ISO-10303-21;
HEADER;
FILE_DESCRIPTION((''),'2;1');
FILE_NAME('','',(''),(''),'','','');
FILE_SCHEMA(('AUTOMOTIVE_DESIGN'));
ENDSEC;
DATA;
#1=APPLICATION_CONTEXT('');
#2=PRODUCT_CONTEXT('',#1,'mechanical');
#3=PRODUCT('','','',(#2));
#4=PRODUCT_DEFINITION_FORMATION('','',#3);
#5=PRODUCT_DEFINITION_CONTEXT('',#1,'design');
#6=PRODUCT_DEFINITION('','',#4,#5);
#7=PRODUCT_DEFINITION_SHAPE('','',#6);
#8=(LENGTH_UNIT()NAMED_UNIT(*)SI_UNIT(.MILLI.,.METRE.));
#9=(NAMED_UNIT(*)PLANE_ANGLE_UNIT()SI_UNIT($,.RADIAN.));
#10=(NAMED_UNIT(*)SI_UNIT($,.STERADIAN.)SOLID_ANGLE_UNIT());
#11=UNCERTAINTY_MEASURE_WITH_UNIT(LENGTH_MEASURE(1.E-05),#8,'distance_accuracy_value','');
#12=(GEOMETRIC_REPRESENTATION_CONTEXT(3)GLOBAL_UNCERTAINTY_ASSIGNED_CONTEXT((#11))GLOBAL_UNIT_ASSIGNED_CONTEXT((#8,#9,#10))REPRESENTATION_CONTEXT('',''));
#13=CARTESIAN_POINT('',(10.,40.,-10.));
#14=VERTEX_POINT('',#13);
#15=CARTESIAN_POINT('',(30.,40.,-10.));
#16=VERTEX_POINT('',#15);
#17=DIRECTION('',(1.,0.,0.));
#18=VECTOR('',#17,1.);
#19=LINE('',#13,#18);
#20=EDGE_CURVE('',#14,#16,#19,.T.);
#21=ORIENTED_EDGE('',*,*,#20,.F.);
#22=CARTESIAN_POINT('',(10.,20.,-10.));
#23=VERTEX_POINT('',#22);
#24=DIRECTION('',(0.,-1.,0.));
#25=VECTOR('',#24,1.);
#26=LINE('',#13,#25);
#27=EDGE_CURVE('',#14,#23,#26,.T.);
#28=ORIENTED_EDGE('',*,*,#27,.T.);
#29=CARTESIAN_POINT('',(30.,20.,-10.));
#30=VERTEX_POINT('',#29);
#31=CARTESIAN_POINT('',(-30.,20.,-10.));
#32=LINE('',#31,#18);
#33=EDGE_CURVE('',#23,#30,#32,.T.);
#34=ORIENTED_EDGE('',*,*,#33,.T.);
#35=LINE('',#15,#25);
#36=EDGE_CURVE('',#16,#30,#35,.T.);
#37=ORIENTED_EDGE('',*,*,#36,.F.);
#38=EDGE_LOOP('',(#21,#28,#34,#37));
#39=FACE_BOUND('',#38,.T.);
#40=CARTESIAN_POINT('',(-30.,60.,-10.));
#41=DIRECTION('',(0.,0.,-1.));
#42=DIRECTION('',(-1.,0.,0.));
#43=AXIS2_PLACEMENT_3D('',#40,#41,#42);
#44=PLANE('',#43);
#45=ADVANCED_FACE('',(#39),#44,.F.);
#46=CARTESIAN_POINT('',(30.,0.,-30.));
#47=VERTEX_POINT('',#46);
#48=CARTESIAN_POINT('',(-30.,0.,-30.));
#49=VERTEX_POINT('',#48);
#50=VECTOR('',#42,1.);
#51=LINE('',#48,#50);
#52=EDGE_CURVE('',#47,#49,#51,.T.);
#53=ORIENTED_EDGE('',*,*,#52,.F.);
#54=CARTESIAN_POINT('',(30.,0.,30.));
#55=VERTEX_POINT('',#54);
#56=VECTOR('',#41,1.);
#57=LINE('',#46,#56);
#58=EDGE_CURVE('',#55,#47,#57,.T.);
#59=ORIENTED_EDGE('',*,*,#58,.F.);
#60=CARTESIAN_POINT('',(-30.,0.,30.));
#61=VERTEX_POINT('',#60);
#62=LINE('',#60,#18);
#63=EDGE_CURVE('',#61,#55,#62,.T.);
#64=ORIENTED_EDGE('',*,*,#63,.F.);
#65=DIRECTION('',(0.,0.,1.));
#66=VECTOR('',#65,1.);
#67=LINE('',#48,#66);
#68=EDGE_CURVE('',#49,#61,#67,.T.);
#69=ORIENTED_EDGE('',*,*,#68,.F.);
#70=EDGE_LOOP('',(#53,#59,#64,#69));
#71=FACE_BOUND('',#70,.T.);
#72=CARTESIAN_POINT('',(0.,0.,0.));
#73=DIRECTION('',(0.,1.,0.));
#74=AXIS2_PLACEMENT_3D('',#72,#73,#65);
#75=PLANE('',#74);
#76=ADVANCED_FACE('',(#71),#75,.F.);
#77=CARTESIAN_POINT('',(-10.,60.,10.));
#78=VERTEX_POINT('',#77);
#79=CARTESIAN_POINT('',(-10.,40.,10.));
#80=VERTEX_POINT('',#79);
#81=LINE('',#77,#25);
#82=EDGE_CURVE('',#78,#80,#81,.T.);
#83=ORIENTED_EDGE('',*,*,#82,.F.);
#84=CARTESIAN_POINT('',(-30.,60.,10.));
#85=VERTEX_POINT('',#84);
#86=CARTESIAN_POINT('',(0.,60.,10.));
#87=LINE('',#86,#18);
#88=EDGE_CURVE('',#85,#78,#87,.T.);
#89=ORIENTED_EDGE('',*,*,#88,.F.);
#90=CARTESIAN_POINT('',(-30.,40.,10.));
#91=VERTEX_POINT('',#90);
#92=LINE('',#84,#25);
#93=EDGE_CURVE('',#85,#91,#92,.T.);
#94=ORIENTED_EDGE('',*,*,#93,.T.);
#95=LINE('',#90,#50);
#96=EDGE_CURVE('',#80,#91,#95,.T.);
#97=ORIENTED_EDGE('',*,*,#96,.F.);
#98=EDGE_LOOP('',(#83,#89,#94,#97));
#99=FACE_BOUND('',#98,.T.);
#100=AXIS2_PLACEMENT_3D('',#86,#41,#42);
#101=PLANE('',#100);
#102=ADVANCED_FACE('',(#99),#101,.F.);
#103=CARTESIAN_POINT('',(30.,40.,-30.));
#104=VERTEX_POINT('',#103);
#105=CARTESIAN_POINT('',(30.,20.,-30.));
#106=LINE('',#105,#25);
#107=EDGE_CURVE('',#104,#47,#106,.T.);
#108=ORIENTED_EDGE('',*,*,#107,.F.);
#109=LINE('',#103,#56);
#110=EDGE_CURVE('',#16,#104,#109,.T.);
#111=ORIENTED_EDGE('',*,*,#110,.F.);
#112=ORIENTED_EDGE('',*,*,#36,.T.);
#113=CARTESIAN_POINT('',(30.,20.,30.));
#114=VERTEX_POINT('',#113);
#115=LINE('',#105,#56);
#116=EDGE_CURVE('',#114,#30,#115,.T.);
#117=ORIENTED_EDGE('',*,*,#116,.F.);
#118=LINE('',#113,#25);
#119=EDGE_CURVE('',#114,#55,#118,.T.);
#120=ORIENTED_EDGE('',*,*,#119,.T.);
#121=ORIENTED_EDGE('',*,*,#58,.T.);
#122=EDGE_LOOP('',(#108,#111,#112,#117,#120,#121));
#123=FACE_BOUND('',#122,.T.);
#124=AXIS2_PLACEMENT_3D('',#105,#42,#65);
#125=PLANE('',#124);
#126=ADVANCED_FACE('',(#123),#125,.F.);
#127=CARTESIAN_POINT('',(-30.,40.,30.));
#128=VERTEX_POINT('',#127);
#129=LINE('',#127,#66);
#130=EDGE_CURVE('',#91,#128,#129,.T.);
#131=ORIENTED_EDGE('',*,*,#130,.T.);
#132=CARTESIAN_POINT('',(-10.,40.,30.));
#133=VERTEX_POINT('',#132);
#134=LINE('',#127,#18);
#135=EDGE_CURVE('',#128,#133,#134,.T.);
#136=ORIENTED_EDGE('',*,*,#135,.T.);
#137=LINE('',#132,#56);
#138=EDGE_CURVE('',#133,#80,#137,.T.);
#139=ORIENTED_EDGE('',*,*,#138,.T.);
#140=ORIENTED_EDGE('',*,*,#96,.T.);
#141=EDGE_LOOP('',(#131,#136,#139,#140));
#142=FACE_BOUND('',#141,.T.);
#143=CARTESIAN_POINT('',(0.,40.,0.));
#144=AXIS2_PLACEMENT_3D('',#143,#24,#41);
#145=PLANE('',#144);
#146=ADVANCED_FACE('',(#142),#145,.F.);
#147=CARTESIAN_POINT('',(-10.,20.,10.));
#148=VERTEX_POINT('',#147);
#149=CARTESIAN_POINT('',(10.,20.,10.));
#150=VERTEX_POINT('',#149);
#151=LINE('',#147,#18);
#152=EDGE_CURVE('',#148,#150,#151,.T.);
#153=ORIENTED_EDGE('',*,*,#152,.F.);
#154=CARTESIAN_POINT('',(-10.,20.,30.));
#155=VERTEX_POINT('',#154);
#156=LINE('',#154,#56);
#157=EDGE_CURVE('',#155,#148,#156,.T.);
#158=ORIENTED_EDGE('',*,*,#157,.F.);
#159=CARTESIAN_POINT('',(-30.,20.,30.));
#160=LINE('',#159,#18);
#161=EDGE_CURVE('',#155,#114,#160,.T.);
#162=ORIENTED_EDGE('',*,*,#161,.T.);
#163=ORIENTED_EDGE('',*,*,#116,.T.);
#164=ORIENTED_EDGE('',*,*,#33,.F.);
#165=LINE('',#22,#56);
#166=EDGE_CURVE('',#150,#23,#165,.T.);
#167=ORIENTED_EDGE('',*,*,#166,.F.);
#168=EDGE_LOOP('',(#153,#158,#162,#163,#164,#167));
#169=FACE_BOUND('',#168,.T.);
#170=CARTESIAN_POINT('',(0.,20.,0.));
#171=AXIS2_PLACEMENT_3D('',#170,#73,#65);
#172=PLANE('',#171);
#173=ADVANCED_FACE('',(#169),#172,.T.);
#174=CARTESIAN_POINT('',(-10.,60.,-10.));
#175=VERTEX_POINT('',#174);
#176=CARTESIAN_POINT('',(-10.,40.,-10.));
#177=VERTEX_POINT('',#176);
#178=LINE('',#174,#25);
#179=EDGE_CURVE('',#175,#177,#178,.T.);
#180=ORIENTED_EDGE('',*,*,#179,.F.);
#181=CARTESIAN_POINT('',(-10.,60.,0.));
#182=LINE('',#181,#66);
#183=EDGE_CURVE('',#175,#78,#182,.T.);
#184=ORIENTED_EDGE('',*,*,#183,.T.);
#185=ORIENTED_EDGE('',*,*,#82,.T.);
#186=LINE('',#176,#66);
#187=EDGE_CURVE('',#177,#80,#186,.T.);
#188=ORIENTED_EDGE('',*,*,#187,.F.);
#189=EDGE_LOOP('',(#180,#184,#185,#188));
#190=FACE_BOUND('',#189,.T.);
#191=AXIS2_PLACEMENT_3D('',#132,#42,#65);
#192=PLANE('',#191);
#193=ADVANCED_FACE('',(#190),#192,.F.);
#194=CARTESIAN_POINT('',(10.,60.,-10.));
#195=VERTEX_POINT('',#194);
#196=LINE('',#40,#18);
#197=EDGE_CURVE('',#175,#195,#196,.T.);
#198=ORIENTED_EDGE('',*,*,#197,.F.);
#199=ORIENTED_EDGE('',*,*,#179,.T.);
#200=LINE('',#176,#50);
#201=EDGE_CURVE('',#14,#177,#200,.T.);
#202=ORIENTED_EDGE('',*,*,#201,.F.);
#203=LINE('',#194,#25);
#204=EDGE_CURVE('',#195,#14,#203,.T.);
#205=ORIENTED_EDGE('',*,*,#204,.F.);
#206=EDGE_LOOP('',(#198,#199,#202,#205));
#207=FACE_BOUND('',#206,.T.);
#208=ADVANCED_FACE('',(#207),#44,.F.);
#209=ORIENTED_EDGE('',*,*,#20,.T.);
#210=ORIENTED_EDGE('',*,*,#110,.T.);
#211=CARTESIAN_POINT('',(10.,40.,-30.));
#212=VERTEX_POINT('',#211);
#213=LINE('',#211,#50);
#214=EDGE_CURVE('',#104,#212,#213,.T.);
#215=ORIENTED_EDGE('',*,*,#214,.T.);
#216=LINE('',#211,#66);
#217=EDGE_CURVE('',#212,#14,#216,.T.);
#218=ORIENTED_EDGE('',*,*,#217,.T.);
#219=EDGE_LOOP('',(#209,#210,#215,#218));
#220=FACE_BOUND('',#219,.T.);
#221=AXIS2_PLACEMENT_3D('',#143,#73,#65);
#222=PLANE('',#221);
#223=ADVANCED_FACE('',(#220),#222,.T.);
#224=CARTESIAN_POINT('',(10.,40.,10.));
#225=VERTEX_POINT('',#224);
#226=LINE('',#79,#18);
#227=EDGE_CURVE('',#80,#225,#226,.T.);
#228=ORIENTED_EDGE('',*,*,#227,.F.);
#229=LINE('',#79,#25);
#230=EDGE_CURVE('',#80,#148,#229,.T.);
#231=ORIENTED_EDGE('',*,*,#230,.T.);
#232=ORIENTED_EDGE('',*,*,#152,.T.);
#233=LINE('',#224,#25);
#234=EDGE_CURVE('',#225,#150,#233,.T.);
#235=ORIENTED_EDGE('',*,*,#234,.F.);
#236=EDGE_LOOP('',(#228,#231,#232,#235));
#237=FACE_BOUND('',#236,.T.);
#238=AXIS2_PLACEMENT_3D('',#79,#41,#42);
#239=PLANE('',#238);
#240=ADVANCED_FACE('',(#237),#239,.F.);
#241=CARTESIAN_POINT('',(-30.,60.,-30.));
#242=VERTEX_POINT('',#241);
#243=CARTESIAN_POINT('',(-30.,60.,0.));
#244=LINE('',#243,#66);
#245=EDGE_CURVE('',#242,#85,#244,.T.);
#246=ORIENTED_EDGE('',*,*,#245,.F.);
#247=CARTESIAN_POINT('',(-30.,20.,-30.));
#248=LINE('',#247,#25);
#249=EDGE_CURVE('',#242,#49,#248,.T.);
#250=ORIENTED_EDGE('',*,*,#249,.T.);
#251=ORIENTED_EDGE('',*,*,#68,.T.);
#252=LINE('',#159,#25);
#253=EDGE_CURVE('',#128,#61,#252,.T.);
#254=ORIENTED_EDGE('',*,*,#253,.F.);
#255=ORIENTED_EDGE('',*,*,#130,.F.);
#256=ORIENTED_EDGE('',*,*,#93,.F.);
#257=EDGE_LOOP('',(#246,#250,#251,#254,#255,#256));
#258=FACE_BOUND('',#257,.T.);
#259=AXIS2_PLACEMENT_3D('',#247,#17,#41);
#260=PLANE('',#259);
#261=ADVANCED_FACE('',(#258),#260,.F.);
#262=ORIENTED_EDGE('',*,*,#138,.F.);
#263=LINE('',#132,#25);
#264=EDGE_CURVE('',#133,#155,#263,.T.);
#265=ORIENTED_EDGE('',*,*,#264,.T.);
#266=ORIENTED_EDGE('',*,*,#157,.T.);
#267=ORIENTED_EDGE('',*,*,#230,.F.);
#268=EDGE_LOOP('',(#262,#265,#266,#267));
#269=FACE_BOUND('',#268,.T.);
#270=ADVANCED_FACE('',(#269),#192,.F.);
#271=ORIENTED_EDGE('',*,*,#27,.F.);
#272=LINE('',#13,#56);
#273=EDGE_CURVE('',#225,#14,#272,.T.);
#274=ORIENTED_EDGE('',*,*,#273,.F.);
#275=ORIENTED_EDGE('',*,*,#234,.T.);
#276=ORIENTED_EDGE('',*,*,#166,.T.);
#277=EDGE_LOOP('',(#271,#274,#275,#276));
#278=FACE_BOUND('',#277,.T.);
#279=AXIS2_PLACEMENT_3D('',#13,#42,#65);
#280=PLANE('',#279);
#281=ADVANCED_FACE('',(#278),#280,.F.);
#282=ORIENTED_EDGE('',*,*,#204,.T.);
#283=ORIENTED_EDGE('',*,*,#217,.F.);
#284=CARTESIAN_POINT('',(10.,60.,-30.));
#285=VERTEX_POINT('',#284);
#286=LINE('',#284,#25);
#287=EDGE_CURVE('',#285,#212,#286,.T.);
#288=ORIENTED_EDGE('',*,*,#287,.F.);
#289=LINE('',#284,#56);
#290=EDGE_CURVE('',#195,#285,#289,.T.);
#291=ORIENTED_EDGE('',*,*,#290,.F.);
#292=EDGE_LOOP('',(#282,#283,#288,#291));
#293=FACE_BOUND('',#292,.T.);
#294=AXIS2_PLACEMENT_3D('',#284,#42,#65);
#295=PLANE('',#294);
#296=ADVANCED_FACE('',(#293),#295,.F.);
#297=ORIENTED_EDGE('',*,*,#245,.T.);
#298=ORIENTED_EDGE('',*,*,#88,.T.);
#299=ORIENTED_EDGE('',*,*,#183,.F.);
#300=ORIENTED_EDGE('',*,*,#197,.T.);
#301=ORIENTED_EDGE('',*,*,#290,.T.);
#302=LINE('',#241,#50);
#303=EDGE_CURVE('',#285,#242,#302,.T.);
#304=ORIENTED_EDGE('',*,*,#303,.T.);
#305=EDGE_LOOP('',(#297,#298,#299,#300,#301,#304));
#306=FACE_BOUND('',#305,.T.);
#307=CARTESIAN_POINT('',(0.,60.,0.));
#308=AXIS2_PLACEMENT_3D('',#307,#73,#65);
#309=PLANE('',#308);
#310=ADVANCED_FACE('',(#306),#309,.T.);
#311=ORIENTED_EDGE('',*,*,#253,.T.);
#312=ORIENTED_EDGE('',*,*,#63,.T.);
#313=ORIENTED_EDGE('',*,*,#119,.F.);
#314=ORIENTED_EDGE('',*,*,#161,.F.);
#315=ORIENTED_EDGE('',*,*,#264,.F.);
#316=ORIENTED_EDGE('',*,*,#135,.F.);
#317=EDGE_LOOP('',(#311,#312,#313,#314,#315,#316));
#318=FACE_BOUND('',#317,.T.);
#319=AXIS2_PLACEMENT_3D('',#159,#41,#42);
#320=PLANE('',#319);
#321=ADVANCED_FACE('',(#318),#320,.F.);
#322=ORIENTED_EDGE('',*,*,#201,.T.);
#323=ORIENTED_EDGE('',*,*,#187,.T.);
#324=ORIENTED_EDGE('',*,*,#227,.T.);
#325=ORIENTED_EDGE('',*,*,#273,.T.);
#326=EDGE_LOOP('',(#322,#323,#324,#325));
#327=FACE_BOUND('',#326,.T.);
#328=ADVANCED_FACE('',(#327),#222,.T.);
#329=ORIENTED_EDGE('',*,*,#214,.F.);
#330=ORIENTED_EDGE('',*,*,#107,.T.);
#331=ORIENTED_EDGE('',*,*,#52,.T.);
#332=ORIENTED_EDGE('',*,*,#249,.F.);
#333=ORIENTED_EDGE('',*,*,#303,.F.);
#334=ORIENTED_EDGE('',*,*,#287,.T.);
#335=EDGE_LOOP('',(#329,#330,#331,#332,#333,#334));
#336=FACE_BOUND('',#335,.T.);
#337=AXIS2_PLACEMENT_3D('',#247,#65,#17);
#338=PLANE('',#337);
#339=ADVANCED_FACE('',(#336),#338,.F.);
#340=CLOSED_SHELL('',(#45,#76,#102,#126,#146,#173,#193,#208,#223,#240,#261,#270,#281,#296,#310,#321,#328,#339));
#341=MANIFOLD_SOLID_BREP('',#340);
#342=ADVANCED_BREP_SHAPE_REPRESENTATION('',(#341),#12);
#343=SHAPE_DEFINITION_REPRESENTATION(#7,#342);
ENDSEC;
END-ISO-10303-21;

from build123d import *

# Parameters (mm, degrees)
CROQUIS1_W              = 60
CROQUIS1_H              = 60
SALIENTE_EXTRUIR1_DEPTH = 20
CROQUIS2_W              = 20
CROQUIS2_H              = 20
SALIENTE_EXTRUIR2_DEPTH = 20
CROQUIS3_W              = 20
CROQUIS3_H              = 20
SALIENTE_EXTRUIR4_DEPTH = 40
CROQUIS4_W              = 40
CROQUIS4_H              = 20
SALIENTE_EXTRUIR5_DEPTH = 40
CROQUIS5_W              = 20
CROQUIS5_H              = 20
SALIENTE_EXTRUIR6_DEPTH = 20
CROQUIS6_W              = 20
CROQUIS6_H              = 20
SALIENTE_EXTRUIR7_DEPTH = 20


with BuildPart() as part:
    # Croquis1 → Saliente-Extruir1 (new body)
    with BuildSketch(Plane(origin=(0, 0, 0), x_dir=(1, 0, 0), z_dir=(0, 1, 0))):
        Rectangle(CROQUIS1_W, CROQUIS1_H)
    extrude(amount=SALIENTE_EXTRUIR1_DEPTH)

    # Croquis2 → Saliente-Extruir2 (add)
    with BuildSketch(Plane(origin=(0, 20, 0), x_dir=(1, 0, 0), z_dir=(0, 1, 0))):
        with Locations((-20, -20)):
            Rectangle(CROQUIS2_W, CROQUIS2_H)
    extrude(amount=SALIENTE_EXTRUIR2_DEPTH)

    # Croquis3 → Saliente-Extruir4 (add)
    with BuildSketch(Plane(origin=(0, 20, 0), x_dir=(1, 0, 0), z_dir=(0, 1, 0))):
        with Locations((-20, 0)):
            Rectangle(CROQUIS3_W, CROQUIS3_H)
    extrude(amount=SALIENTE_EXTRUIR4_DEPTH)

    # Croquis4 → Saliente-Extruir5 (add)
    with BuildSketch(Plane(origin=(0, 20, 0), x_dir=(1, 0, 0), z_dir=(0, 1, 0))):
        with Locations((-10, 20)):
            Rectangle(CROQUIS4_W, CROQUIS4_H)
    extrude(amount=SALIENTE_EXTRUIR5_DEPTH)

    # Croquis5 → Saliente-Extruir6 (add)
    with BuildSketch(Plane(origin=(0, 20, 0), x_dir=(1, 0, 0), z_dir=(0, 1, 0))):
        with Locations((20, 20)):
            Rectangle(CROQUIS5_W, CROQUIS5_H)
    extrude(amount=SALIENTE_EXTRUIR6_DEPTH)

    # Croquis6 → Saliente-Extruir7 (add)
    with BuildSketch(Plane(origin=(0, 20, 0), x_dir=(1, 0, 0), z_dir=(0, 1, 0))):
        Rectangle(CROQUIS6_W, CROQUIS6_H)
    extrude(amount=SALIENTE_EXTRUIR7_DEPTH)


solid = part.part
